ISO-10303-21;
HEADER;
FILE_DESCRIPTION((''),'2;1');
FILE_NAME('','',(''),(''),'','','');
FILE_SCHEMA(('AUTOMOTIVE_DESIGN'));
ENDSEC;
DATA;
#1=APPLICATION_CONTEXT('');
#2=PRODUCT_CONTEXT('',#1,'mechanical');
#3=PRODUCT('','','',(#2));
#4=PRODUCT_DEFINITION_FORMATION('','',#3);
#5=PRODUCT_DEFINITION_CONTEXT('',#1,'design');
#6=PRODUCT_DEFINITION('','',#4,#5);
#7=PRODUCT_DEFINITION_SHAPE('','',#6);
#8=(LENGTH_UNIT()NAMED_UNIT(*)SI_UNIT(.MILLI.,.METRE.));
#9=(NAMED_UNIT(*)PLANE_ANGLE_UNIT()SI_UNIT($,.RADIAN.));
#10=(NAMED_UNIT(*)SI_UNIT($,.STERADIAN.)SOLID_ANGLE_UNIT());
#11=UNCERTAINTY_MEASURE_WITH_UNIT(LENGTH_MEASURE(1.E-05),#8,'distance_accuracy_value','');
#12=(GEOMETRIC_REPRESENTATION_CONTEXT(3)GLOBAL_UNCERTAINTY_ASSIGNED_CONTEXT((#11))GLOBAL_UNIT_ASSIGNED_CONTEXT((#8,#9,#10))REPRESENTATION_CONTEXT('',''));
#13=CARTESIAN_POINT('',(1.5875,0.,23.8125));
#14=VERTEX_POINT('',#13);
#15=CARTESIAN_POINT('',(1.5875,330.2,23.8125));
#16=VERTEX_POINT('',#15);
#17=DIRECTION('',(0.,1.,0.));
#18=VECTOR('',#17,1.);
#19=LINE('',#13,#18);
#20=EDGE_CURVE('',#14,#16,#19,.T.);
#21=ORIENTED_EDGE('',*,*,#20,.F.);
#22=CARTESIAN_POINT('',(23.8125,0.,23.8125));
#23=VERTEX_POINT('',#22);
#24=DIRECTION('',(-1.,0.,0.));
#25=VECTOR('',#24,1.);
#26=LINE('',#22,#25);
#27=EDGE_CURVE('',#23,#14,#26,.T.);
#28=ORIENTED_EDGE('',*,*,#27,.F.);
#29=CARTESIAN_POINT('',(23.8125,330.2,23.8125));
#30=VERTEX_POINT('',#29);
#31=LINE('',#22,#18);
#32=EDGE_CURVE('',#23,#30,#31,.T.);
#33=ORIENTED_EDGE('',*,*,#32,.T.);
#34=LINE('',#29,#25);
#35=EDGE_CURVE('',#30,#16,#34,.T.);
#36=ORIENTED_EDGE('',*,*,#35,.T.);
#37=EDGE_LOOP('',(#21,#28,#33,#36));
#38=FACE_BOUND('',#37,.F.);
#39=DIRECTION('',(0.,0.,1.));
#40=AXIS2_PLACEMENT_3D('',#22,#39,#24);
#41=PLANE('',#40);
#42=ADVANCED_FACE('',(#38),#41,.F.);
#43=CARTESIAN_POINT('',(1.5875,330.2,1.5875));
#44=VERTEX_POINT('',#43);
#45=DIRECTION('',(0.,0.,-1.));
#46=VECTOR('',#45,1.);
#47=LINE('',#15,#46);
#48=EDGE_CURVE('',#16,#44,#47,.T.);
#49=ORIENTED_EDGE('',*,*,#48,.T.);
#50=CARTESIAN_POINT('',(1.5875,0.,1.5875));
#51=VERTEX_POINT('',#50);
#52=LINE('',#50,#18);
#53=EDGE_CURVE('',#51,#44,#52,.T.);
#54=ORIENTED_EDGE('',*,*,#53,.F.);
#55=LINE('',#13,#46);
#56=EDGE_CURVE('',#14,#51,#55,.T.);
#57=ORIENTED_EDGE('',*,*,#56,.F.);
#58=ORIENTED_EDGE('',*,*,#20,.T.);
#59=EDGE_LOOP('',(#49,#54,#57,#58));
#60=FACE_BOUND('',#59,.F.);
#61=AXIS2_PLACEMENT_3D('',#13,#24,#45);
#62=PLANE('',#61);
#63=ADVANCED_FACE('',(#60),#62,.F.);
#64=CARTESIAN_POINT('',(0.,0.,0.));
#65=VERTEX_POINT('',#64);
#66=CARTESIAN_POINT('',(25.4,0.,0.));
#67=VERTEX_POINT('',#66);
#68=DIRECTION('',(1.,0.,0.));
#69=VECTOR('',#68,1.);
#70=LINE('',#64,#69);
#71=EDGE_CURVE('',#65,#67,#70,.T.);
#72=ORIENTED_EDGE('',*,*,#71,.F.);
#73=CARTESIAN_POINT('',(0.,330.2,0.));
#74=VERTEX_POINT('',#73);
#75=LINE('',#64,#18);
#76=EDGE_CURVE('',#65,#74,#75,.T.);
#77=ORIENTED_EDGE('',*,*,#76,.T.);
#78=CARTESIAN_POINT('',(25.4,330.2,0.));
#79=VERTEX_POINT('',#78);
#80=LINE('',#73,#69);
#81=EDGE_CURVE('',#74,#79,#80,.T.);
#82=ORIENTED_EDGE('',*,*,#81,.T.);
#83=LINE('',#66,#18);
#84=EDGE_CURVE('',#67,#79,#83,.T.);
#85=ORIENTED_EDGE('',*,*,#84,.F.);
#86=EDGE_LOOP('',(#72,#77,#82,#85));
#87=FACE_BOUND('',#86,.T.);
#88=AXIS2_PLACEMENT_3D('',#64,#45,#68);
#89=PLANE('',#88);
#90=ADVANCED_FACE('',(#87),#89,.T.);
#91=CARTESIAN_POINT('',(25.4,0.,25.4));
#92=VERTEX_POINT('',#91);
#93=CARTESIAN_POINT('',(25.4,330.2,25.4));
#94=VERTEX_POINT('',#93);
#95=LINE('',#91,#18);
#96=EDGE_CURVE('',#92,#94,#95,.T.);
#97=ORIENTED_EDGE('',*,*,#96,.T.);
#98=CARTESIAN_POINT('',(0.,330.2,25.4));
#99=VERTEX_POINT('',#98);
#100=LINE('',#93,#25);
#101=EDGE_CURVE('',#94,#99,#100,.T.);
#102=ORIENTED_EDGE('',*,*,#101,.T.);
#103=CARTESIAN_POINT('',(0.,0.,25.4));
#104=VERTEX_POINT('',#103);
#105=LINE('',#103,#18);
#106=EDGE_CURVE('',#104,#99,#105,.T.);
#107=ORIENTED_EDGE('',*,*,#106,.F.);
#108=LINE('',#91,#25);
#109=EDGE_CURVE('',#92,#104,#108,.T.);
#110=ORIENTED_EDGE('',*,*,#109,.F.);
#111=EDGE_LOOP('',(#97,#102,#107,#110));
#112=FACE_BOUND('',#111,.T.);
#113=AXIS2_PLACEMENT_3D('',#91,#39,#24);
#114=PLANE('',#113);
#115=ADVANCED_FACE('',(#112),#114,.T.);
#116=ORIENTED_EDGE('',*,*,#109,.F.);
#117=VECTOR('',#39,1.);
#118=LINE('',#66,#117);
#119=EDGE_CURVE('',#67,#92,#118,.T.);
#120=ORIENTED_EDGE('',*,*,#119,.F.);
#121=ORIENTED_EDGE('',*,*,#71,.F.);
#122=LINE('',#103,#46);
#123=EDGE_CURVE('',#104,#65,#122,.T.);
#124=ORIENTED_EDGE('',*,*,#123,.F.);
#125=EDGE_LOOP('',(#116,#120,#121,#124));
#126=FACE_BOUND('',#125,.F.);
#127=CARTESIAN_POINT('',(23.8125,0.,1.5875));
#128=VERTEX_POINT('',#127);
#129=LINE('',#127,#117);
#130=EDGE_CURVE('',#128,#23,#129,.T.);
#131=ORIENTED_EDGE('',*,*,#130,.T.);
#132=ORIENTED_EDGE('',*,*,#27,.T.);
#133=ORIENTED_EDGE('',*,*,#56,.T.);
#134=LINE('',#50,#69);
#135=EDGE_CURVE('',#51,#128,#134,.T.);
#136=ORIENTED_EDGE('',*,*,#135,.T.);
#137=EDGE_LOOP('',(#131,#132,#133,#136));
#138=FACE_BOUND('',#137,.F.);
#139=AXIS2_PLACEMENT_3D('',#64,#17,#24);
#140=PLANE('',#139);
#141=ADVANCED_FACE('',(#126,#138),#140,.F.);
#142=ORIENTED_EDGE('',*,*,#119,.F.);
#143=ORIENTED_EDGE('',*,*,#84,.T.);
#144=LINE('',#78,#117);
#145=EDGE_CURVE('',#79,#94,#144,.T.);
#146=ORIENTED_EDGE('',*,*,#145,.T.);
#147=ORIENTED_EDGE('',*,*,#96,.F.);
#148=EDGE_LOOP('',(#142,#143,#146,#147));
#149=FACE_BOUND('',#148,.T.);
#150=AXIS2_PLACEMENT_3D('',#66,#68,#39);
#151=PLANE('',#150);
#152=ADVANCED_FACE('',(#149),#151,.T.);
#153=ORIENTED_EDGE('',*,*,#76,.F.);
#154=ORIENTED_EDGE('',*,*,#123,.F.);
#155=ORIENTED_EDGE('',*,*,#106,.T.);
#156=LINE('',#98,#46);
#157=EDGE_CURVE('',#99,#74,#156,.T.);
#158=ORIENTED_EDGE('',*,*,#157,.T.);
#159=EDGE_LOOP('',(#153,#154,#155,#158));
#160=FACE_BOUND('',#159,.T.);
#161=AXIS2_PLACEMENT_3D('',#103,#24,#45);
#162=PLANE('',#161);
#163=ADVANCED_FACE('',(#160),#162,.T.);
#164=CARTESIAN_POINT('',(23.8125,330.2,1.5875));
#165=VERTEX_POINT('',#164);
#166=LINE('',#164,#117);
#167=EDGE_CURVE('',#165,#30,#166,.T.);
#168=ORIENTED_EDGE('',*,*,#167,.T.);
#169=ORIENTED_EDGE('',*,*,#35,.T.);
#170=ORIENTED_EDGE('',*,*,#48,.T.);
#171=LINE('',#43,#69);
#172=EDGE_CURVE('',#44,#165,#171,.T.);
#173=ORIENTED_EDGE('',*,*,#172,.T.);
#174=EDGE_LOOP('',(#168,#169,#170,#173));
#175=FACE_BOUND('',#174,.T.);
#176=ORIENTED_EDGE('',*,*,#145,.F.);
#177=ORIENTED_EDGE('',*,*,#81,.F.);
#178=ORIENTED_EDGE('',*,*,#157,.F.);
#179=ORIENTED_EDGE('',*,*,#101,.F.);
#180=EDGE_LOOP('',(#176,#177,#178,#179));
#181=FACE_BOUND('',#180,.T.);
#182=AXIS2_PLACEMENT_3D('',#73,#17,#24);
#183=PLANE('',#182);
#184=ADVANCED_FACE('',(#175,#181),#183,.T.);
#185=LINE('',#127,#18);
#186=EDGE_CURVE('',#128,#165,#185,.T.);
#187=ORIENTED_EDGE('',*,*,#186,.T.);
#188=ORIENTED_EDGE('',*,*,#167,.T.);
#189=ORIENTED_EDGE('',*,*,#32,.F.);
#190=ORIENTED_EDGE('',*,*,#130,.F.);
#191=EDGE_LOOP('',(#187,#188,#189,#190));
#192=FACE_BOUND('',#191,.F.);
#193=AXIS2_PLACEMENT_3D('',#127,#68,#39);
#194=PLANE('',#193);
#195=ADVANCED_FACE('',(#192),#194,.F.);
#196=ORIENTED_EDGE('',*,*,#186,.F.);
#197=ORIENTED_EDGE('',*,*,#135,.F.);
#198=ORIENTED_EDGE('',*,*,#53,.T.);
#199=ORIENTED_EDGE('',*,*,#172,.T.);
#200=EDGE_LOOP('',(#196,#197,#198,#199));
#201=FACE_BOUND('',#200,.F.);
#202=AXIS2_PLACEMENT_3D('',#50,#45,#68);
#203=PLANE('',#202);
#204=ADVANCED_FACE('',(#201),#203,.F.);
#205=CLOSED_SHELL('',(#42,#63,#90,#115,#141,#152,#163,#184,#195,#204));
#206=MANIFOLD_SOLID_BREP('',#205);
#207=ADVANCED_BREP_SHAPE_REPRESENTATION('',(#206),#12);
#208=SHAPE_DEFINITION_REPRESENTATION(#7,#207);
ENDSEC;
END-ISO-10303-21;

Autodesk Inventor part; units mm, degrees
ref_plane "YZ Plane" through (0, 0, 0) normal (1, 0, 0) x (0, 1, 0)
ref_plane "XZ Plane" through (0, 0, 0) normal (0, 1, 0) x (-1, 0, 0)
ref_plane "Work Plane1" through (0, 0, 0) normal (0, 1, 0) x (-1, 0, 0)
sketch "Sketch1" plane through (0, 0, 0) normal (0, 1, 0) x (-1, 0, 0)
  line L0 (0, 0) -> (-25.4, 0)
  line L1 (-25.4, 0) -> (-25.4, 25.4)
  line L2 (-25.4, 25.4) -> (0, 25.4)
  line L3 (0, 25.4) -> (0, 0)
  line L4 (-23.8125, 23.8125) -> (-1.5875, 23.8125)
  line L5 (-1.5875, 23.8125) -> (-1.5875, 1.5875)
  line L6 (-1.5875, 1.5875) -> (-23.8125, 1.5875)
  line L7 (-23.8125, 1.5875) -> (-23.8125, 23.8125)
  point P0 (-12.7, 0)
  point P1 (-12.7, 1.5875)
  dimension "d0" = 25.4
  dimension "d1" = 25.4
  dimension "d2" = 1.5875
  dimension "d3" = 1.5875
  dimension "d4" = 1.5875
  dimension "d5" = 1.5875
extrude "Extrusion1" add sketch "Sketch1" along normal blind 330.2
properties part number "54.92Shaft"
